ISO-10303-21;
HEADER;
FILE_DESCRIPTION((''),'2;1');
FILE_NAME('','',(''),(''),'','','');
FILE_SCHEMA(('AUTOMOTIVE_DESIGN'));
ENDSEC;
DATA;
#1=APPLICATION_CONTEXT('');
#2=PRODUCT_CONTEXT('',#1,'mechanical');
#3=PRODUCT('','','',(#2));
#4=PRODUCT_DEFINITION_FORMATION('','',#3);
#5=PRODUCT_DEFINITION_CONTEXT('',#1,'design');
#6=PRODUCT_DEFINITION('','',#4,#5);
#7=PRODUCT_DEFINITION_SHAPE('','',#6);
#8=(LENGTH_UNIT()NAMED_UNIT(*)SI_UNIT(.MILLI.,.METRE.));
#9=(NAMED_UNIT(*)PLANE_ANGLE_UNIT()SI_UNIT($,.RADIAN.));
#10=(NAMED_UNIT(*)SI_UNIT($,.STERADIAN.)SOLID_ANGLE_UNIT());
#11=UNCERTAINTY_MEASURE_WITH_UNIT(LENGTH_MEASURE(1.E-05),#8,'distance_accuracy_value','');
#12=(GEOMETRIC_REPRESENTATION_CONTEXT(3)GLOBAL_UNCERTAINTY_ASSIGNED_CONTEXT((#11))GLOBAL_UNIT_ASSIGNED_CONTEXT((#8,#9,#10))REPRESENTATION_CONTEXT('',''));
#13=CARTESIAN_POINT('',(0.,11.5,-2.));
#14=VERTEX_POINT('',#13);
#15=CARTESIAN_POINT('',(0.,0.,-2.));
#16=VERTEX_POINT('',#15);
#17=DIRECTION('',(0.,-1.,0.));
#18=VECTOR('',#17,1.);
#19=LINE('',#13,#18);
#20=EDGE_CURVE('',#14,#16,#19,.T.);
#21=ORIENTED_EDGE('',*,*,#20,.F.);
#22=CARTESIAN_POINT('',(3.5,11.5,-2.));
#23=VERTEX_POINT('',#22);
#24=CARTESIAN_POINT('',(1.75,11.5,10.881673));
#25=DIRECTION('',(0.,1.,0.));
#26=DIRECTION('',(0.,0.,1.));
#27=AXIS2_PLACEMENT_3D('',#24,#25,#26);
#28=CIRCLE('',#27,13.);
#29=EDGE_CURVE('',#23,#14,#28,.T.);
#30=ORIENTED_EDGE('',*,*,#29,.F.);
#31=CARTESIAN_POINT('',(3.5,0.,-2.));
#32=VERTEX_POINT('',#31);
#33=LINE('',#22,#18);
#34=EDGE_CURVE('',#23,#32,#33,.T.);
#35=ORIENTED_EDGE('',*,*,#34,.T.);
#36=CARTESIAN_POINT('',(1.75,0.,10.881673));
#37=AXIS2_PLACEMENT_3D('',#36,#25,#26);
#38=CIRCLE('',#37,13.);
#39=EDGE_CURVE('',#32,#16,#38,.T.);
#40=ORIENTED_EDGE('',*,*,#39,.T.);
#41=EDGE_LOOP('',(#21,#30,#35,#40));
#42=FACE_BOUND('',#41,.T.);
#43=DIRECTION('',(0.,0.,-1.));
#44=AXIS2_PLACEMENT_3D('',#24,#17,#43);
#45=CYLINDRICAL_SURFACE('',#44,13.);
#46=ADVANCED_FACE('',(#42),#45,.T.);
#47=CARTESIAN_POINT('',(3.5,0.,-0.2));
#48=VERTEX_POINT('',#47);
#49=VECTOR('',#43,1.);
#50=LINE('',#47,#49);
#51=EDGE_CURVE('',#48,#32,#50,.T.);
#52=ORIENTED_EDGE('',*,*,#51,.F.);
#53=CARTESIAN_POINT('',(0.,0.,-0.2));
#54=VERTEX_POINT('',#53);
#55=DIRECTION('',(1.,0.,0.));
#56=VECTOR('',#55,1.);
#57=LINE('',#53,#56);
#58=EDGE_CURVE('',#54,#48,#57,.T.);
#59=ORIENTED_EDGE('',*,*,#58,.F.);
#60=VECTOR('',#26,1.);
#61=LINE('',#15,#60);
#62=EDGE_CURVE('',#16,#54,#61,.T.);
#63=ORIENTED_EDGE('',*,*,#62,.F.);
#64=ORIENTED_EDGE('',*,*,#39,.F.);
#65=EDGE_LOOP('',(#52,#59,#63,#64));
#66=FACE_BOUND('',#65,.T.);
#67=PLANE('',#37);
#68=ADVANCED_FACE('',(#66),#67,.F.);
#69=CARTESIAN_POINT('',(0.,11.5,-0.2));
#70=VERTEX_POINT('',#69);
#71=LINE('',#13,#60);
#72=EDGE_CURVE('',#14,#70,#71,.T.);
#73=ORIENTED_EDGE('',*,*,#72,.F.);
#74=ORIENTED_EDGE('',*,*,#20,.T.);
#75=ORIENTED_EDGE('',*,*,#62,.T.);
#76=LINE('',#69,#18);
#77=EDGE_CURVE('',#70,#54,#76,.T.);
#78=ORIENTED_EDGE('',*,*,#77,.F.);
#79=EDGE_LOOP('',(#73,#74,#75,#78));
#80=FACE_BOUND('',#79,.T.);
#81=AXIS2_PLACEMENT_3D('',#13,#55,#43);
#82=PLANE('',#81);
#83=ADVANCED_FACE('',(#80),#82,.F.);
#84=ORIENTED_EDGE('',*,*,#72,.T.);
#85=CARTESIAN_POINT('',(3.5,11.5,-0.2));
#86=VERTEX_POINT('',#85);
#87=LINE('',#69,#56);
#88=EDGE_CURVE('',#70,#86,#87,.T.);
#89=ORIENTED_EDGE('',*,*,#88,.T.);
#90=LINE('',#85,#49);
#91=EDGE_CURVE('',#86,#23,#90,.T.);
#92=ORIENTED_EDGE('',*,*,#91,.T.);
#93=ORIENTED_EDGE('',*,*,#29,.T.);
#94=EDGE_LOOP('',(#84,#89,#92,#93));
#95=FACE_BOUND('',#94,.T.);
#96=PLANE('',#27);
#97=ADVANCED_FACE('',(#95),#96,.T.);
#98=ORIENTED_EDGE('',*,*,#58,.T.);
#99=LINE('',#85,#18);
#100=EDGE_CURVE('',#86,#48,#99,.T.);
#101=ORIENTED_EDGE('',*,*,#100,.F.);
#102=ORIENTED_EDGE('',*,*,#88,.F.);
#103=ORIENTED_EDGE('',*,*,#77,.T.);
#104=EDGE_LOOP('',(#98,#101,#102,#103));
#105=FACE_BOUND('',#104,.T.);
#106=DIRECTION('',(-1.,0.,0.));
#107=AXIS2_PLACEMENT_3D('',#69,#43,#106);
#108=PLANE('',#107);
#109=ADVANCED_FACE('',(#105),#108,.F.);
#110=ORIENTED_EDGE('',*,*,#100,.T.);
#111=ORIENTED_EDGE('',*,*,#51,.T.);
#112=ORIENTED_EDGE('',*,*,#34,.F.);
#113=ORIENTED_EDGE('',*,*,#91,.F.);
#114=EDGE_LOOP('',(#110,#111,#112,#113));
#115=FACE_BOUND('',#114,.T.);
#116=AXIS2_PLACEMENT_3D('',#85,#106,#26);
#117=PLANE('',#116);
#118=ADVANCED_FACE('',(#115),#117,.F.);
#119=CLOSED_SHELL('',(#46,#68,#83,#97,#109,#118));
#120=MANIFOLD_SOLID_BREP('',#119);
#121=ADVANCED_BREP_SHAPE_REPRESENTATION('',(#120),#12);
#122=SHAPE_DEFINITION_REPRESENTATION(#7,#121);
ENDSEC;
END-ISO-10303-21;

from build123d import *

# Parameters (mm, degrees)
SALIENTE_EXTRUIR1_DEPTH = 11.5


with BuildPart() as part:
    # Croquis1 → Saliente-Extruir1 (new body)
    with BuildSketch(Plane(origin=(0, 0, 0), x_dir=(1, 0, 0), z_dir=(0, 1, 0))):
        with BuildLine():
            Line((0, 2), (0, 0.2))
            Line((0, 0.2), (3.5, 0.2))
            Line((3.5, 0.2), (3.5, 2))
            ThreePointArc((3.5, 2), (1.75, 2.118326972), (0, 2))
        make_face()
    extrude(amount=SALIENTE_EXTRUIR1_DEPTH)


solid = part.part
